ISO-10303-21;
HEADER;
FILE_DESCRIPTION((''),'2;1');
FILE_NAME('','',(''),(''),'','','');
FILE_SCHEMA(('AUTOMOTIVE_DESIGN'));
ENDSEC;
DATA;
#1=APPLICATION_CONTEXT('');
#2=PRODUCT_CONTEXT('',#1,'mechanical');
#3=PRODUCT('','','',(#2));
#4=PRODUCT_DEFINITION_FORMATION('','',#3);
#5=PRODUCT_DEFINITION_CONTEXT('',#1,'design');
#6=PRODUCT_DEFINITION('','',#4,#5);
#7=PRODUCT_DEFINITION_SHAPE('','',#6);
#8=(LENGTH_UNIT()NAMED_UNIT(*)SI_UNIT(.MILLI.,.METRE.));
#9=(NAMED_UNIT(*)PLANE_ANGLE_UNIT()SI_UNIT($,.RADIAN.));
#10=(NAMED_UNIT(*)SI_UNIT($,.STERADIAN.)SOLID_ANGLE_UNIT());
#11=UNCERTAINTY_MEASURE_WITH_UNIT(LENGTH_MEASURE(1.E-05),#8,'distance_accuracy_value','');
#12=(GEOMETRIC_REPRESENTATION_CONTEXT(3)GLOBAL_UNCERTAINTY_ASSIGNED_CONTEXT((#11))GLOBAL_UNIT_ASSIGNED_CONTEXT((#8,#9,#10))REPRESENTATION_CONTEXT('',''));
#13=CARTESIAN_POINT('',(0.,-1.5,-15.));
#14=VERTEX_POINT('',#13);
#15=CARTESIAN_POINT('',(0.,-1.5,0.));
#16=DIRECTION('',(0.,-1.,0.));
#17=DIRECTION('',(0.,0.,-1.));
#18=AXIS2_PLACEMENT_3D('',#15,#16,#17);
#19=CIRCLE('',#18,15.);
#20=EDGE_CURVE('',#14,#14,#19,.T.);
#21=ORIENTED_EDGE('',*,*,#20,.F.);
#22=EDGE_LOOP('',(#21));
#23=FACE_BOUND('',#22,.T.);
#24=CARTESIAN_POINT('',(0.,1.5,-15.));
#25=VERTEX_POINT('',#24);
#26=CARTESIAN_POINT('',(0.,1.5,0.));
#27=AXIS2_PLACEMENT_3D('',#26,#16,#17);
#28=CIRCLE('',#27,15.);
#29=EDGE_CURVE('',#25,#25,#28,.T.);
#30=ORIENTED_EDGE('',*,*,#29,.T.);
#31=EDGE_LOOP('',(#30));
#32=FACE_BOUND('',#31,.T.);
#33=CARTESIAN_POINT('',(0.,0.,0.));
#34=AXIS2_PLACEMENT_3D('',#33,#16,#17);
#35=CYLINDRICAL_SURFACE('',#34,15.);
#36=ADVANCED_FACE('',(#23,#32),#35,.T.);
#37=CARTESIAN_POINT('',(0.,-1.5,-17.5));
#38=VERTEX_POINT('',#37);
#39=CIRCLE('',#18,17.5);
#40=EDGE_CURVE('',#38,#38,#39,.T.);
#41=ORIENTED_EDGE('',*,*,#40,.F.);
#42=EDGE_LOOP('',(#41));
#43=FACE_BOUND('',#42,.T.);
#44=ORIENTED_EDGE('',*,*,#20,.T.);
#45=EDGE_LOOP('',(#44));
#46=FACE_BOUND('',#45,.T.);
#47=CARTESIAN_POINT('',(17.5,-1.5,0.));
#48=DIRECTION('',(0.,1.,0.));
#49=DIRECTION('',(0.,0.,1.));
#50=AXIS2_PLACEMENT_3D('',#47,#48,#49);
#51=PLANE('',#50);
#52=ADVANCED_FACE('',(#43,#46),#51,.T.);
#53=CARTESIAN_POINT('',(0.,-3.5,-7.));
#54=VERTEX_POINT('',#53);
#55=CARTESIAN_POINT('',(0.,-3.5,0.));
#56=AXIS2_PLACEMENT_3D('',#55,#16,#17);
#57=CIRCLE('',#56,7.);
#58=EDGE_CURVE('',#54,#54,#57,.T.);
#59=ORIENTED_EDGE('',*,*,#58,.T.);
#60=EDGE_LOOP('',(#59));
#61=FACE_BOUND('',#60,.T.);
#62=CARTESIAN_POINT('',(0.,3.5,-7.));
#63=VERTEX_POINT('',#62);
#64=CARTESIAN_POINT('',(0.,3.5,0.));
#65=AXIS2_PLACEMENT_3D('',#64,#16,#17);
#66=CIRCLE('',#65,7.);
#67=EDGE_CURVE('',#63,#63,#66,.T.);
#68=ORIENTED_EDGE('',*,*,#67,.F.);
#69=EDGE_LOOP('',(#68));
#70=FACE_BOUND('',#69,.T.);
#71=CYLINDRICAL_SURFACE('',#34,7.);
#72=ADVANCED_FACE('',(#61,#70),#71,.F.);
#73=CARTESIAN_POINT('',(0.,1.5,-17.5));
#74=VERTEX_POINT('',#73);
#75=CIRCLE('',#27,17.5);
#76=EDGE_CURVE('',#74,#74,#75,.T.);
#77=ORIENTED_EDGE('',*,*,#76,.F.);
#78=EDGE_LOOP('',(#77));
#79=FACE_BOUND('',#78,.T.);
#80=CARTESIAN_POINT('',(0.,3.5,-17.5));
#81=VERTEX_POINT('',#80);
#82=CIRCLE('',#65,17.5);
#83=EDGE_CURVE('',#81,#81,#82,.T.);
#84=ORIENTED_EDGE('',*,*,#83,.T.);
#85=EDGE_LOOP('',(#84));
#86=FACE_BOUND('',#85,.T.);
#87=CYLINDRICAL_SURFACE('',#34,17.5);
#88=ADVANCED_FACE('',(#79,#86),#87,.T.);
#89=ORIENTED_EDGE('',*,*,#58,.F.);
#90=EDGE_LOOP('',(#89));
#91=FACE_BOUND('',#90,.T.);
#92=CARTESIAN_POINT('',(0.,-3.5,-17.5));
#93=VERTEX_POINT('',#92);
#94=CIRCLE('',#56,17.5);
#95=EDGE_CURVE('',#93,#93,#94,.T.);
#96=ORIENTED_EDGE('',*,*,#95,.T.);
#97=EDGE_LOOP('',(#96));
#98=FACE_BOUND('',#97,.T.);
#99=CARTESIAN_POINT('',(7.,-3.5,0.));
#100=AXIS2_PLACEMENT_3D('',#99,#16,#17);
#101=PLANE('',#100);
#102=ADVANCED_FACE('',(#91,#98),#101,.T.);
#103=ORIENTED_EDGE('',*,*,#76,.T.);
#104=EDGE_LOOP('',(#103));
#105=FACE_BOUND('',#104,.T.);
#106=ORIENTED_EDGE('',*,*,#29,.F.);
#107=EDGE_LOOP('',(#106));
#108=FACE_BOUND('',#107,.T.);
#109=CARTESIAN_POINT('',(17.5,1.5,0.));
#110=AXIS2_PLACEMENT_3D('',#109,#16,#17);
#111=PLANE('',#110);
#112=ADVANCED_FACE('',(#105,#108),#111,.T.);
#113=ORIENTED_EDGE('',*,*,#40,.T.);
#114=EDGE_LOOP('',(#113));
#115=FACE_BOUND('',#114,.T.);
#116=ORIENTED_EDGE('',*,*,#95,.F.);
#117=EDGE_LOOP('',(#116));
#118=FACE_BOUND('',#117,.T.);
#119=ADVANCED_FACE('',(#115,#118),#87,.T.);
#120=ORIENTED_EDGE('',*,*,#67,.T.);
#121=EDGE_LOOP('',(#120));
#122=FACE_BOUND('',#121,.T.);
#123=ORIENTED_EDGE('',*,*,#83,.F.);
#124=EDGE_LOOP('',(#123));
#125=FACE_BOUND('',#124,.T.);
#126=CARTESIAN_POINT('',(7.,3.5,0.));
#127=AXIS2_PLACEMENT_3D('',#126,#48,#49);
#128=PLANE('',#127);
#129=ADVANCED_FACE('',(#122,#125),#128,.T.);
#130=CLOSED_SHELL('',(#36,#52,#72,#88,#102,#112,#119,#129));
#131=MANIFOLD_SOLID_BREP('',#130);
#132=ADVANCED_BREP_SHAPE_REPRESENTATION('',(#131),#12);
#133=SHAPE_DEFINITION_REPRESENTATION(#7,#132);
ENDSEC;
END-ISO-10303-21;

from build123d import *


with BuildPart() as part:
    # Sketch1 → Revolve1 (revolve)
    with BuildSketch(Plane.XY, mode=Mode.PRIVATE) as revolve1_sk:
        Polygon((7, 3.5), (17.5, 3.5), (17.5, 1.5), (15, 1.5), (15, -1.5), (17.5, -1.5), (17.5, -3.5), (7, -3.5), align=None)
    revolve(revolve1_sk.sketch.rotate(Axis((0, 0, 0), (0, 1, 0)), 90), axis=Axis((0, 0, 0), (0, 1, 0)))


solid = part.part
